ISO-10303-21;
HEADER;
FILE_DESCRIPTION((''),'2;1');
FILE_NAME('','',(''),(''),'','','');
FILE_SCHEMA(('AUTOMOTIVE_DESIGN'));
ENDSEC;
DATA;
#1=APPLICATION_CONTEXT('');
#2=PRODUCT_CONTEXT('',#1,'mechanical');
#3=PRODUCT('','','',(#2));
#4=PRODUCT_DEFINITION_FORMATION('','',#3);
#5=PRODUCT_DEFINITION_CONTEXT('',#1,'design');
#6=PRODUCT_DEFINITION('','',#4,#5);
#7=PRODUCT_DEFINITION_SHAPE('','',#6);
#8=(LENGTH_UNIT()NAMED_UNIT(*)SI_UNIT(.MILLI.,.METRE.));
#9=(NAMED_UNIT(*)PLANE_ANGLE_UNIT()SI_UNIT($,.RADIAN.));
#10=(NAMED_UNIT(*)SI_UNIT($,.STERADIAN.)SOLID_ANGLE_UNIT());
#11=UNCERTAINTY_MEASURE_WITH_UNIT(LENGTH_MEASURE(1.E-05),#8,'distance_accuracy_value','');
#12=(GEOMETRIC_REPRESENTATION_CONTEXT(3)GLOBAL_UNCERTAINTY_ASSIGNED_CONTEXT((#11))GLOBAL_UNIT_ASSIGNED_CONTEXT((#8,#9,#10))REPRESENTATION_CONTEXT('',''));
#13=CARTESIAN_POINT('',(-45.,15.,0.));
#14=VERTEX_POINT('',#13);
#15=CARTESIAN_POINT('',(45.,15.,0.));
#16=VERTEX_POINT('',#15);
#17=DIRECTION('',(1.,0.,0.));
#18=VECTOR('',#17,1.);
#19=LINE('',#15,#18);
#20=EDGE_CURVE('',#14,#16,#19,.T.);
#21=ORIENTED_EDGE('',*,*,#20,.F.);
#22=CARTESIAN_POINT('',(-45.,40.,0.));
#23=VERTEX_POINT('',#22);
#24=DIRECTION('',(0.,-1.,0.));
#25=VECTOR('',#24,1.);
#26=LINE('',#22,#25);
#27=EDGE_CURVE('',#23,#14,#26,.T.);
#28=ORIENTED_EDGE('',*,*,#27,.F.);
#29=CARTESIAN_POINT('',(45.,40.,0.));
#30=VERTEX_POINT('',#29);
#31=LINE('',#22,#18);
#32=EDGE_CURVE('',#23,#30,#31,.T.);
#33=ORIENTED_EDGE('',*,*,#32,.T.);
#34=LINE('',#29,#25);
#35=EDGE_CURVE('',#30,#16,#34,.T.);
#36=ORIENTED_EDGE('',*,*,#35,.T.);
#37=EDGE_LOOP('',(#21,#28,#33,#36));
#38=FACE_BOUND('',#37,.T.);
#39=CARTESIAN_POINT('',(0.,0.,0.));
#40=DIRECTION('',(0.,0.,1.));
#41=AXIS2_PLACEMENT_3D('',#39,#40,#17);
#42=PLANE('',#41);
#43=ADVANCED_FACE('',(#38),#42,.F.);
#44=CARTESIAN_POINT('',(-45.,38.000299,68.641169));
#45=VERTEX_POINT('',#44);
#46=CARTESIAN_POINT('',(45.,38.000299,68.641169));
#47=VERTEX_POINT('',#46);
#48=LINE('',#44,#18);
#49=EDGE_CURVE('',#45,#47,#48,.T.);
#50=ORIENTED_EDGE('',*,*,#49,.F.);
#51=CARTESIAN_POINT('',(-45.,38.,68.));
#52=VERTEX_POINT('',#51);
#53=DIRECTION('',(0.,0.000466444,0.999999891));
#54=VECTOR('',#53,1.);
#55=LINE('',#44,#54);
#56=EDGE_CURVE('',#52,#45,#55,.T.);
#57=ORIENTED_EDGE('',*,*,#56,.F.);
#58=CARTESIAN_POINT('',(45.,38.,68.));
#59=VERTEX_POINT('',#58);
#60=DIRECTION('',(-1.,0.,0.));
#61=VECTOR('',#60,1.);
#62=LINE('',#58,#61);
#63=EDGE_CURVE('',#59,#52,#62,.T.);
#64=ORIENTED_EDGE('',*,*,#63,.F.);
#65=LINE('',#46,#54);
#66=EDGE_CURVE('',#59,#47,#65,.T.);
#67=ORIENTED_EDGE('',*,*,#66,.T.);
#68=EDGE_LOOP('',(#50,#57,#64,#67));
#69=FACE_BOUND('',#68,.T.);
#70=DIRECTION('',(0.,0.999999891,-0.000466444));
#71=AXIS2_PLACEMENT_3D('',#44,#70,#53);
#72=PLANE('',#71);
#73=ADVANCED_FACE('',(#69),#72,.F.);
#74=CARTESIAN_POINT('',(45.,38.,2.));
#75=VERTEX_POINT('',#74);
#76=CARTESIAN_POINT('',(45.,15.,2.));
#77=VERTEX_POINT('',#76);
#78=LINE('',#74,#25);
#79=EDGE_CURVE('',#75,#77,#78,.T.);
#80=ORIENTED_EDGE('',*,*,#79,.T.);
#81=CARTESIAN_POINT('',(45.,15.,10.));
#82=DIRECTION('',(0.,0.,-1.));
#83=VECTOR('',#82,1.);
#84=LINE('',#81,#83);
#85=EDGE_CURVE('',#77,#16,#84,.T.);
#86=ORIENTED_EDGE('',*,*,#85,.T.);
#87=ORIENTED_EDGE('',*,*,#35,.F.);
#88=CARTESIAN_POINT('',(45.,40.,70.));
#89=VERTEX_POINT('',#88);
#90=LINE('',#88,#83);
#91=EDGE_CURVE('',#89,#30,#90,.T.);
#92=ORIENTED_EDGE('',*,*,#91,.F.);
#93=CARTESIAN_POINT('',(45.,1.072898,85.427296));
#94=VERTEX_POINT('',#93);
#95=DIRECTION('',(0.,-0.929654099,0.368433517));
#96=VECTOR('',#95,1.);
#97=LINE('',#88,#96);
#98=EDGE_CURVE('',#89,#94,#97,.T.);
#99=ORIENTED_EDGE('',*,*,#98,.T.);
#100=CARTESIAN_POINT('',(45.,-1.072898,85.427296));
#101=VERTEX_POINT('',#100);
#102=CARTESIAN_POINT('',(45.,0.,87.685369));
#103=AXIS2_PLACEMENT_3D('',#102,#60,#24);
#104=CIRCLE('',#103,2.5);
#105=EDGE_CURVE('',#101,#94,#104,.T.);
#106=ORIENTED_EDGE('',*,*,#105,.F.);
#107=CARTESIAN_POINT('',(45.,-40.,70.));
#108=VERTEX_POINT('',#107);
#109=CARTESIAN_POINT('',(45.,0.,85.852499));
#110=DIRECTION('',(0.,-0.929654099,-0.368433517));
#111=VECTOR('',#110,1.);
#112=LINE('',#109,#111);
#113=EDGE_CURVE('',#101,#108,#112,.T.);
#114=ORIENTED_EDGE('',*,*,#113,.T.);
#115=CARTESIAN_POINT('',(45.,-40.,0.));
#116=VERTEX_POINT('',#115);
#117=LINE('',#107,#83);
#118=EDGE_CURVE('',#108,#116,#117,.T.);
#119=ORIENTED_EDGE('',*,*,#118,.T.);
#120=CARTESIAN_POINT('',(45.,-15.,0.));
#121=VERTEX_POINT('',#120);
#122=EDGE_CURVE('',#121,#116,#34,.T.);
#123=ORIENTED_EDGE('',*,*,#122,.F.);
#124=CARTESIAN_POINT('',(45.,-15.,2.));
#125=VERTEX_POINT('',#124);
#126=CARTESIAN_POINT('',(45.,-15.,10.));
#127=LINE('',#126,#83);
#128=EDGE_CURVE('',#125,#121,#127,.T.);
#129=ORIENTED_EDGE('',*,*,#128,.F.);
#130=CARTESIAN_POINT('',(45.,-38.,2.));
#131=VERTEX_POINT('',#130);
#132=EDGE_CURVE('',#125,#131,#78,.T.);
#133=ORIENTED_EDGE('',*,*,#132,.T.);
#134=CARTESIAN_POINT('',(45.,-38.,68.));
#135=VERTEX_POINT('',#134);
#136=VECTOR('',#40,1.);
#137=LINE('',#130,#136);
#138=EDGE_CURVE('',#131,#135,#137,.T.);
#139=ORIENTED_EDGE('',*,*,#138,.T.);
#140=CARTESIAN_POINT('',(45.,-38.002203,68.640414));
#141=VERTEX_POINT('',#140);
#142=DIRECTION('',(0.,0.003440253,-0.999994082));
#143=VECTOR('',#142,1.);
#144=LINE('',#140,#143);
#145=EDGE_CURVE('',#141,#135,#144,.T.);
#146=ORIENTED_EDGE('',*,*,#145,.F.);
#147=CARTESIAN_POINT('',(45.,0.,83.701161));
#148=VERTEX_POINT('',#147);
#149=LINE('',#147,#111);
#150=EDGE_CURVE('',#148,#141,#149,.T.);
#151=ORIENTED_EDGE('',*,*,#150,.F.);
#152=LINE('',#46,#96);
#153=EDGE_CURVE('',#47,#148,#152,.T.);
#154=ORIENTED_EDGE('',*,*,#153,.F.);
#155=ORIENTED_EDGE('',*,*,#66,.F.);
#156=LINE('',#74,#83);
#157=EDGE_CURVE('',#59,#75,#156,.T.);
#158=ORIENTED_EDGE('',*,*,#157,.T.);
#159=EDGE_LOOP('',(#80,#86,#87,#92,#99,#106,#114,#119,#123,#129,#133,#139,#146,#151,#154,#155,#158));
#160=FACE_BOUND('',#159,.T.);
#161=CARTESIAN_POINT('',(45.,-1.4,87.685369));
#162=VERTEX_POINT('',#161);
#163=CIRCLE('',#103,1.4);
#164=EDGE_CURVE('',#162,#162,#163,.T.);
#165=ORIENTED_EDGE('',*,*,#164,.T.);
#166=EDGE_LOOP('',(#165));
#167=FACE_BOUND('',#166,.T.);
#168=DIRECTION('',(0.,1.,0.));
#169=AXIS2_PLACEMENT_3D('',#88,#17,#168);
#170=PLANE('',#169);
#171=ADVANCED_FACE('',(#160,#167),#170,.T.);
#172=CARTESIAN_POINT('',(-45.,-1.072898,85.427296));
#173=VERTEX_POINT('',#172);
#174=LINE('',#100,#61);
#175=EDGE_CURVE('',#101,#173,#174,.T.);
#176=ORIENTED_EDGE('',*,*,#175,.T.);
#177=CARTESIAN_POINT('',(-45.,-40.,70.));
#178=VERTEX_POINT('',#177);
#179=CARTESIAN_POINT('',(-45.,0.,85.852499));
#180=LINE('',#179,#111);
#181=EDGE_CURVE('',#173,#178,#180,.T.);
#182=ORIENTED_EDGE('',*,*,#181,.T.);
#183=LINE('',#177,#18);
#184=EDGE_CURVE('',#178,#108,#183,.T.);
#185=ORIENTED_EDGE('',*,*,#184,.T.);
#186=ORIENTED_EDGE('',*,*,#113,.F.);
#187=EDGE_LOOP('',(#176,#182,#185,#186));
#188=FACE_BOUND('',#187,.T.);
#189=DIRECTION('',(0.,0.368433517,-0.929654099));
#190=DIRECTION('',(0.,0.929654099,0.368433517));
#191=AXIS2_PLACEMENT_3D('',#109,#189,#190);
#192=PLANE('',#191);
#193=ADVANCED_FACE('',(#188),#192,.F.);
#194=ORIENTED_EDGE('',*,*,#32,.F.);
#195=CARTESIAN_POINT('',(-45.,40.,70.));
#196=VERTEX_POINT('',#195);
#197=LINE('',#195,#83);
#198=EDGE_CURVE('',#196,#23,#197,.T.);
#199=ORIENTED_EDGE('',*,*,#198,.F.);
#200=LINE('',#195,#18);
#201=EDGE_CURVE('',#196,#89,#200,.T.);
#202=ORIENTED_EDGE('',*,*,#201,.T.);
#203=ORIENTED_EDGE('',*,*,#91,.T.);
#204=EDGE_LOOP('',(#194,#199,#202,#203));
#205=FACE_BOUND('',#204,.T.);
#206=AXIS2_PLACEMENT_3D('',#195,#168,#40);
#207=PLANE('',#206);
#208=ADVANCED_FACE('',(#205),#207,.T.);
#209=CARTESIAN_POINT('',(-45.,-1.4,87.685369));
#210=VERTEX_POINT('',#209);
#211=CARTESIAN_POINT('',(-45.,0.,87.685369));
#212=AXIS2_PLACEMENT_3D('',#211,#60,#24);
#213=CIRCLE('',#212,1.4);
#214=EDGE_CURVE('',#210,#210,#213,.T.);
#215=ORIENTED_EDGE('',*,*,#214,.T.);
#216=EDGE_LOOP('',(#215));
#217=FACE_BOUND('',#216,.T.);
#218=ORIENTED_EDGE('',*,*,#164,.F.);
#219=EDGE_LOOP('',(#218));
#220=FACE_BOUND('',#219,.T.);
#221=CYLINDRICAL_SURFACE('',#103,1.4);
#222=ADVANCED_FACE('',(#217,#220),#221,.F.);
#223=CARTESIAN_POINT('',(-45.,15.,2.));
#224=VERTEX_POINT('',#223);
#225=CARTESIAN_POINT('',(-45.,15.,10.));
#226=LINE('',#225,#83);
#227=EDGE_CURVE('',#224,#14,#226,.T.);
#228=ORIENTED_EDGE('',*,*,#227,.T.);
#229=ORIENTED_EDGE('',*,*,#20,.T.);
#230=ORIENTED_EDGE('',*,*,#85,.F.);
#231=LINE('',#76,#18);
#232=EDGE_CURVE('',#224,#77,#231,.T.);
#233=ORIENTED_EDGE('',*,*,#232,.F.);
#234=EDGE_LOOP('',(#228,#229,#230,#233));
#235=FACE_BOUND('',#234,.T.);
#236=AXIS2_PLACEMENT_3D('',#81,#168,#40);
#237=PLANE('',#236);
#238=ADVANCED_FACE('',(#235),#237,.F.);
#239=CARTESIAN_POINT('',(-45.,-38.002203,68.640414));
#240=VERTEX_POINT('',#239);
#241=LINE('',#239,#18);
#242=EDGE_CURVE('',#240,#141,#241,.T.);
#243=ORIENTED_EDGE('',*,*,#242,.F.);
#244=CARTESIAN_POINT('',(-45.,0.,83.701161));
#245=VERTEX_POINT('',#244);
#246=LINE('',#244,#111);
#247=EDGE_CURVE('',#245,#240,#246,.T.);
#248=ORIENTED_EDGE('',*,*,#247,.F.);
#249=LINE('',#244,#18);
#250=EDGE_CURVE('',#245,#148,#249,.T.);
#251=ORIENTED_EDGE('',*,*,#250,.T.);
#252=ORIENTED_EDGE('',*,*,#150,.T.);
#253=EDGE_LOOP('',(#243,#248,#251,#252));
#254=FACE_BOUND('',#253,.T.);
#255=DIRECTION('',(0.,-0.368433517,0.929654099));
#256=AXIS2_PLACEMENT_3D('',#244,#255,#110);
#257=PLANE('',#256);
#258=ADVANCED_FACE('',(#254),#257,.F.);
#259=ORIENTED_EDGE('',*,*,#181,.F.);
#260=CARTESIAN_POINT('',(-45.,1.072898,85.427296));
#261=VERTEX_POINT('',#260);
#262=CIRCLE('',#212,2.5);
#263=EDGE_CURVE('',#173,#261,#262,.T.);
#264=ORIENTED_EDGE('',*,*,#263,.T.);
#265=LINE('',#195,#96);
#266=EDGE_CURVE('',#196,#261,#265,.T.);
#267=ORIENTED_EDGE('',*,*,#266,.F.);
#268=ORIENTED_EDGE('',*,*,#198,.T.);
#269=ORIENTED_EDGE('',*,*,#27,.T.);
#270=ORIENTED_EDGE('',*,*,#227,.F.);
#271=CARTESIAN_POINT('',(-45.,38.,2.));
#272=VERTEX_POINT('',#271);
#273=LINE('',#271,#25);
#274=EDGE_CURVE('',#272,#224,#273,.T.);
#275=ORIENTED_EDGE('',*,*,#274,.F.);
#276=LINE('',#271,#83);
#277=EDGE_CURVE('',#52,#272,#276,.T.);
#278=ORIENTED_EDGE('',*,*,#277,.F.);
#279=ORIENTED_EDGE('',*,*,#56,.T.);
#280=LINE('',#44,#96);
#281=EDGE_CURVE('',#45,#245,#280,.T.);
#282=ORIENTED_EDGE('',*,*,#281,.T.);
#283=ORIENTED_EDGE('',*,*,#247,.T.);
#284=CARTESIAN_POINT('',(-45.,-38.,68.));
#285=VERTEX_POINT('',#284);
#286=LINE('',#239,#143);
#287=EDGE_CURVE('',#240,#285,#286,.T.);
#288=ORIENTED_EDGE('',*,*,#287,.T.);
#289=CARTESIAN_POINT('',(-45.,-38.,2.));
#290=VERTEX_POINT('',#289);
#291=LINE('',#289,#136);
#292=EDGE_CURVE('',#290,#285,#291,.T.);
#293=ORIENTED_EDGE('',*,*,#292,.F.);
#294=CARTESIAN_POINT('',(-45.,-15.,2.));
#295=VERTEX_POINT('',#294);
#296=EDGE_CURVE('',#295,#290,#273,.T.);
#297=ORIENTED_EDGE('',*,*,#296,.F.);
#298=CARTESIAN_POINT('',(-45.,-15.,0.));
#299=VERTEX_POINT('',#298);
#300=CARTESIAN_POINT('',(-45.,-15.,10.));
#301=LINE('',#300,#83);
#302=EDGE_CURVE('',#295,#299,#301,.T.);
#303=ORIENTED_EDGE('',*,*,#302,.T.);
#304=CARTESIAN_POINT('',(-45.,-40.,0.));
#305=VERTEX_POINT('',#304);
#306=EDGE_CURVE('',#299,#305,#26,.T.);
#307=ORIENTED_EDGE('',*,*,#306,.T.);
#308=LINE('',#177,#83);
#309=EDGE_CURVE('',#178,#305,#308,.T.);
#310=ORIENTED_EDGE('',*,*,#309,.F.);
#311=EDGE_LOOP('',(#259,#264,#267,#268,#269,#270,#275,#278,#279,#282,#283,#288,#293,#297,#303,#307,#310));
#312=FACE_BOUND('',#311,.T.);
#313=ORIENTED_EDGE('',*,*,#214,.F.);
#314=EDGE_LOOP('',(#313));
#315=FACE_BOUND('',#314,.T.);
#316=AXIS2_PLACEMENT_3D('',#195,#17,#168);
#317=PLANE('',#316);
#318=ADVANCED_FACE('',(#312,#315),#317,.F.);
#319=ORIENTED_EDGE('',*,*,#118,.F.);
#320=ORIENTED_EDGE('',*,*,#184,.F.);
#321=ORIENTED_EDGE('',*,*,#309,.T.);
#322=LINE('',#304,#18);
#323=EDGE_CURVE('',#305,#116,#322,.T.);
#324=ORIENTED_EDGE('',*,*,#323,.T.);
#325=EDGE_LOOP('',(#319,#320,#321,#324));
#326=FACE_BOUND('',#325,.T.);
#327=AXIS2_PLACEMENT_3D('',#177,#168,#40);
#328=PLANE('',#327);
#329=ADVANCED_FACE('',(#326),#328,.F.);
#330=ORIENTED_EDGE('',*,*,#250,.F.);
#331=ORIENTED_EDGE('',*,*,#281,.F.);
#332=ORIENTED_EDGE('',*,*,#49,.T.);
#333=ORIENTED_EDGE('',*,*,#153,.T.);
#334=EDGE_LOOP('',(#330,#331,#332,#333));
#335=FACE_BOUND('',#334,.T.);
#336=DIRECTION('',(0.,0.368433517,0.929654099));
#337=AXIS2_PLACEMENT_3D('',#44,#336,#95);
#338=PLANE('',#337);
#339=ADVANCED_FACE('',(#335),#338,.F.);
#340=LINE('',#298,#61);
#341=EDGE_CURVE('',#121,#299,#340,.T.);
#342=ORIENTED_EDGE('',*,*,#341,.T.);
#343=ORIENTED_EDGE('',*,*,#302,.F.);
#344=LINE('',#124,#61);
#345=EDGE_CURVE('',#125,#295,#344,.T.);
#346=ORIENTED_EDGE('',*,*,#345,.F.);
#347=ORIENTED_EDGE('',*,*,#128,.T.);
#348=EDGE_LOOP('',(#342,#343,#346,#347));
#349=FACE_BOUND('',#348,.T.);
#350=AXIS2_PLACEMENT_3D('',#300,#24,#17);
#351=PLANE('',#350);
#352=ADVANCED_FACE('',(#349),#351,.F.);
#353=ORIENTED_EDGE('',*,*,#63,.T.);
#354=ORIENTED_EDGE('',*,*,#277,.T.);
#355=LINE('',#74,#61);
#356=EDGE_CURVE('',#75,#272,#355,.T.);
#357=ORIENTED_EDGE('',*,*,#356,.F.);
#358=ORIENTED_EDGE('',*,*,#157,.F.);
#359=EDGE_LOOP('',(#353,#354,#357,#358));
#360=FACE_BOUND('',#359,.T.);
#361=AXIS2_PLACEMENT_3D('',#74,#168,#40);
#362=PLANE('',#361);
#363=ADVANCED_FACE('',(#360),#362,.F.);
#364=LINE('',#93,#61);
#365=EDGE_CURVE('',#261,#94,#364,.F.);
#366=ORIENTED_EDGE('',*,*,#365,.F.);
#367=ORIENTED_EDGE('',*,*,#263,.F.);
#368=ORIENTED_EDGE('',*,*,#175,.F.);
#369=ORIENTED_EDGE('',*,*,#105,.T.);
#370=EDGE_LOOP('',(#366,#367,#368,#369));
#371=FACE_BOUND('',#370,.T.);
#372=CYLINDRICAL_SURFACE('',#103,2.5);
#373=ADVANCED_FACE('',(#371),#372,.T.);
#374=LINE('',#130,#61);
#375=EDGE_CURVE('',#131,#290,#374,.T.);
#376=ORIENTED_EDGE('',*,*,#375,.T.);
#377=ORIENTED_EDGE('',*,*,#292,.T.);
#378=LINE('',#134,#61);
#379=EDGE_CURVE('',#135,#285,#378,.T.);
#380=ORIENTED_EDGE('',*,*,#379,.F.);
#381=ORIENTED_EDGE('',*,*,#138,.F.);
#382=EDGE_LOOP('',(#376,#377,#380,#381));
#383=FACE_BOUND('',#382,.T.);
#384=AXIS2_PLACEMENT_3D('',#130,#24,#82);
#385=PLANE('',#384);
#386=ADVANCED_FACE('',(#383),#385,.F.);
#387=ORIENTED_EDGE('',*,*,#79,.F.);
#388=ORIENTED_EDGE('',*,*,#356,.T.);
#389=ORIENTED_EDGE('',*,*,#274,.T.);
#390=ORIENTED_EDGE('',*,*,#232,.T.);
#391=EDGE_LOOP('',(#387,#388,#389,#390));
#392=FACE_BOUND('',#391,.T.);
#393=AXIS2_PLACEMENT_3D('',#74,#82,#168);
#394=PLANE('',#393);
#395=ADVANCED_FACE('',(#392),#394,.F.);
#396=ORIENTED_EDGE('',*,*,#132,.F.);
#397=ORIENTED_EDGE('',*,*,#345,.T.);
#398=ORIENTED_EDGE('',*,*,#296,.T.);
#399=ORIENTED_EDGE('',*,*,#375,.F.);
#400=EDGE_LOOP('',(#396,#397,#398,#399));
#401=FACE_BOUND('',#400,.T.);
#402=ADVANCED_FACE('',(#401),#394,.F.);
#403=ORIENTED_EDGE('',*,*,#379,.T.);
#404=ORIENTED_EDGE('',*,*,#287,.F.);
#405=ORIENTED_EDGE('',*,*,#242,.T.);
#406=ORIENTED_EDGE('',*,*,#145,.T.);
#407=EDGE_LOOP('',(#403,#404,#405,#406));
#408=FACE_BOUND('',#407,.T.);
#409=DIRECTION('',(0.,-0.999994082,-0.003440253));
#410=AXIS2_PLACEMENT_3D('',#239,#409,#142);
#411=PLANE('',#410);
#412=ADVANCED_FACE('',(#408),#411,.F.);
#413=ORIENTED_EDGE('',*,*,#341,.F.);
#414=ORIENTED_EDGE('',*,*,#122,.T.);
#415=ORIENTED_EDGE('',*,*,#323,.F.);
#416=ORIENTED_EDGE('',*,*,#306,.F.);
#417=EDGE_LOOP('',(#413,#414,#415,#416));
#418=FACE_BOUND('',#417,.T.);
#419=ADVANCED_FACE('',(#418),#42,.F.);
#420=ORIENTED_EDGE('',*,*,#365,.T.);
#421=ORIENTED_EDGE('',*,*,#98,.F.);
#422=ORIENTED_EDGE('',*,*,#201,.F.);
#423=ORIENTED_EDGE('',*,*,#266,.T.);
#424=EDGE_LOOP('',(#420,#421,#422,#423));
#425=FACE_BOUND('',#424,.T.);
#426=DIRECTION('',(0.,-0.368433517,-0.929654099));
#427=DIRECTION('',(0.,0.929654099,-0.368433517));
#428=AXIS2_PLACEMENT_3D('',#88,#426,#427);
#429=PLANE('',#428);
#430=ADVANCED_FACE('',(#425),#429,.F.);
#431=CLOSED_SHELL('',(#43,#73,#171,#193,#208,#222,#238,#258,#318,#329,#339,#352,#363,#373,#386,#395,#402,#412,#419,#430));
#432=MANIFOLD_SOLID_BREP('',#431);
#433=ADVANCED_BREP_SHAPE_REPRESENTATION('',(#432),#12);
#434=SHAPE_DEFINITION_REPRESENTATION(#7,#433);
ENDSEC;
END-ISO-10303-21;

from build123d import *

# Parameters (mm, degrees)
SKETCH1_W           = 90
SKETCH1_H           = 80
BOSS_EXTRUDE4_DEPTH = 70
BOSS_EXTRUDE5_DEPTH = 90
SKETCH9_R           = 2.5
SKETCH9_R_2         = 1.4
BOSS_EXTRUDE6_DEPTH = 90
SKETCH10_W          = 66
SKETCH10_H          = 76
CUT_EXTRUDE1_DEPTH  = 134.541756472
CUT_EXTRUDE2_DEPTH  = 134.541756472
SKETCH16_W          = 90
SKETCH16_H          = 30
CUT_EXTRUDE3_DEPTH  = 10


with BuildPart() as part:
    # Sketch1 → Boss-Extrude4 (new body)
    with BuildSketch(Plane.XY):
        Rectangle(SKETCH1_W, SKETCH1_H)
    extrude(amount=BOSS_EXTRUDE4_DEPTH)

    # Sketch8 → Boss-Extrude5 (add, through all)
    with BuildSketch(Plane.ZY.offset(45)):
        Polygon((70, 40), (85.852498999, 0), (70, -40), align=None)
    extrude(amount=-BOSS_EXTRUDE5_DEPTH)

    # Sketch9 → Boss-Extrude6 (add, through all)
    with BuildSketch(Plane.ZY.offset(45)):
        with Locations((87.685368667, 0)):
            Circle(SKETCH9_R)
        with Locations(Location((87.685368667, 0, 0), (0, 0, 270))):
            Circle(SKETCH9_R_2, mode=Mode.SUBTRACT)
    extrude(amount=-BOSS_EXTRUDE6_DEPTH)

    # Sketch10 → Cut-Extrude1 (cut, through all)
    with BuildSketch(Plane.ZY.offset(45)):
        with Locations((35, 0)):
            Rectangle(SKETCH10_W, SKETCH10_H)
    extrude(amount=-CUT_EXTRUDE1_DEPTH, mode=Mode.SUBTRACT)

    # Sketch11 → Cut-Extrude2 (cut, through all)
    with BuildSketch(Plane(origin=(45, 0, 0), x_dir=(0, 0, -1), z_dir=(1, 0, 0))):
        Polygon((-68.641168629, 38.000299069), (-83.701161204, 0), (-68.640413999, -38.002203199), (-68, -38), (-68, 38), align=None)
    extrude(amount=-CUT_EXTRUDE2_DEPTH, mode=Mode.SUBTRACT)

    # Sketch16 → Cut-Extrude3 (cut)
    with BuildSketch(Plane(origin=(0, 0, 0), x_dir=(-1, 0, 0), z_dir=(0, 0, -1))):
        Rectangle(SKETCH16_W, SKETCH16_H)
    extrude(amount=-CUT_EXTRUDE3_DEPTH, mode=Mode.SUBTRACT)


solid = part.part
